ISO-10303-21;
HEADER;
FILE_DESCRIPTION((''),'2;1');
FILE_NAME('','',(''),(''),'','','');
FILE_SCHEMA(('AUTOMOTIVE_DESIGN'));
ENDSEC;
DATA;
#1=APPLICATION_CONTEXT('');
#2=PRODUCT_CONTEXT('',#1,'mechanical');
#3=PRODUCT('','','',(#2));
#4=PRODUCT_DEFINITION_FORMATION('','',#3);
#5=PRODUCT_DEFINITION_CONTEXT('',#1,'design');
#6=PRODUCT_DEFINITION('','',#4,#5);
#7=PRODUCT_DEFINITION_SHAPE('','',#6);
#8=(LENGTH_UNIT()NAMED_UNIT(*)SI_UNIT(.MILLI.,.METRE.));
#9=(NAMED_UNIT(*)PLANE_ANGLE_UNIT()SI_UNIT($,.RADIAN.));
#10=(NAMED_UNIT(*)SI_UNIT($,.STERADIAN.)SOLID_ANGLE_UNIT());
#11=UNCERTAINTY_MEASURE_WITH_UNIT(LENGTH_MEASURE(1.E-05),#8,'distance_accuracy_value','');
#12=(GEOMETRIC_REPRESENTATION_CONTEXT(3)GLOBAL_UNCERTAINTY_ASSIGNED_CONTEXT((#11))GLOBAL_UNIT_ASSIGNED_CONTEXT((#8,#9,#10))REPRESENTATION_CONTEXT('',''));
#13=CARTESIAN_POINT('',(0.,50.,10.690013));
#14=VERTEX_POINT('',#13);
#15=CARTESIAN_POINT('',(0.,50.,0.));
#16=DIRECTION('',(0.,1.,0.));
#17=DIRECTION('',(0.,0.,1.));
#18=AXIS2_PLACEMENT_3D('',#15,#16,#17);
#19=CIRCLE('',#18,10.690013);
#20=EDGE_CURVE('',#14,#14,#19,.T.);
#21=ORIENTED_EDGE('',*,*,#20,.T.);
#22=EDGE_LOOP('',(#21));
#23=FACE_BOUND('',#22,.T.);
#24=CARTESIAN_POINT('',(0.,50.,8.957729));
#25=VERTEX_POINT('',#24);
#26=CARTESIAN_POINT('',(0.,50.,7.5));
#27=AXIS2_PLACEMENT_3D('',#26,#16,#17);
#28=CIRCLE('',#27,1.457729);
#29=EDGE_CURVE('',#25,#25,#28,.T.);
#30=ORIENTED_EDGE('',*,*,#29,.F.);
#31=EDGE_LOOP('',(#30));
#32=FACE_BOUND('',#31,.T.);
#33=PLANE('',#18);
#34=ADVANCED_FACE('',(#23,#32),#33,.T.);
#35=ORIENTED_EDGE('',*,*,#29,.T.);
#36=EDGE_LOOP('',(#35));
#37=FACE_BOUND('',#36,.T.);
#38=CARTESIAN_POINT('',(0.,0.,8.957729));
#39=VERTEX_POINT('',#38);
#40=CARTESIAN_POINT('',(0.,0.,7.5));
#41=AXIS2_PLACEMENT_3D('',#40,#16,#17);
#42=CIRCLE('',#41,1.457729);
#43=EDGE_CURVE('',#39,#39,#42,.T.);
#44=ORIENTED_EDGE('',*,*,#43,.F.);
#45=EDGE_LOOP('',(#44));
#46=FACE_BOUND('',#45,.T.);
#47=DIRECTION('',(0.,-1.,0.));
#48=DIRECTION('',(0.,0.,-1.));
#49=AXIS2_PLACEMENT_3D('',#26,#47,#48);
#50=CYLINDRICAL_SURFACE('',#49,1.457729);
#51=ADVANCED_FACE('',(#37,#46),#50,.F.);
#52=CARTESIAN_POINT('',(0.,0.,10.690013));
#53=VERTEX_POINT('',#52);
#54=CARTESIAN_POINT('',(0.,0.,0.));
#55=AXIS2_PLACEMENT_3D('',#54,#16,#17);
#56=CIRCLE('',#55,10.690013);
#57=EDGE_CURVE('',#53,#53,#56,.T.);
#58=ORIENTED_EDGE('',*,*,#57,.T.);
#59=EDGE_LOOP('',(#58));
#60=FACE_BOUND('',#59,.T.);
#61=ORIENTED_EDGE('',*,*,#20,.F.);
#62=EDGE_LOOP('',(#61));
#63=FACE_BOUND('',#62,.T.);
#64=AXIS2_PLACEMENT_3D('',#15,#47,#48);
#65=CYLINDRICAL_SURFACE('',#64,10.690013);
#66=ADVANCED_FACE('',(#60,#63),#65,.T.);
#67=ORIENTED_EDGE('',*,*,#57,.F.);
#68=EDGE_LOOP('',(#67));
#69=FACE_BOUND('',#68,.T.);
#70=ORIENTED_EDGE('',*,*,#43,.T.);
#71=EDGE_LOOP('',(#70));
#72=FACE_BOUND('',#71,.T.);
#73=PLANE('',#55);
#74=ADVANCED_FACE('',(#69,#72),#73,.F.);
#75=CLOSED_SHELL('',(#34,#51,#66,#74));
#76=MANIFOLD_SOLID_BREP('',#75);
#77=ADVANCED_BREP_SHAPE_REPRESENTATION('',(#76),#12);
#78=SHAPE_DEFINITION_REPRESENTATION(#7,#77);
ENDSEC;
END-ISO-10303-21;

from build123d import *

# Parameters (mm, degrees)
SKETCH1_R           = 10.690012824
SKETCH1_R_2         = 1.457729021
BOSS_EXTRUDE1_DEPTH = 50


with BuildPart() as part:
    # Sketch1 → Boss-Extrude1 (new body)
    with BuildSketch(Plane(origin=(0, 0, 0), x_dir=(1, 0, 0), z_dir=(0, 1, 0))):
        Circle(SKETCH1_R)
        with Locations((0, -7.5)):
            Circle(SKETCH1_R_2, mode=Mode.SUBTRACT)
    extrude(amount=BOSS_EXTRUDE1_DEPTH)


solid = part.part
